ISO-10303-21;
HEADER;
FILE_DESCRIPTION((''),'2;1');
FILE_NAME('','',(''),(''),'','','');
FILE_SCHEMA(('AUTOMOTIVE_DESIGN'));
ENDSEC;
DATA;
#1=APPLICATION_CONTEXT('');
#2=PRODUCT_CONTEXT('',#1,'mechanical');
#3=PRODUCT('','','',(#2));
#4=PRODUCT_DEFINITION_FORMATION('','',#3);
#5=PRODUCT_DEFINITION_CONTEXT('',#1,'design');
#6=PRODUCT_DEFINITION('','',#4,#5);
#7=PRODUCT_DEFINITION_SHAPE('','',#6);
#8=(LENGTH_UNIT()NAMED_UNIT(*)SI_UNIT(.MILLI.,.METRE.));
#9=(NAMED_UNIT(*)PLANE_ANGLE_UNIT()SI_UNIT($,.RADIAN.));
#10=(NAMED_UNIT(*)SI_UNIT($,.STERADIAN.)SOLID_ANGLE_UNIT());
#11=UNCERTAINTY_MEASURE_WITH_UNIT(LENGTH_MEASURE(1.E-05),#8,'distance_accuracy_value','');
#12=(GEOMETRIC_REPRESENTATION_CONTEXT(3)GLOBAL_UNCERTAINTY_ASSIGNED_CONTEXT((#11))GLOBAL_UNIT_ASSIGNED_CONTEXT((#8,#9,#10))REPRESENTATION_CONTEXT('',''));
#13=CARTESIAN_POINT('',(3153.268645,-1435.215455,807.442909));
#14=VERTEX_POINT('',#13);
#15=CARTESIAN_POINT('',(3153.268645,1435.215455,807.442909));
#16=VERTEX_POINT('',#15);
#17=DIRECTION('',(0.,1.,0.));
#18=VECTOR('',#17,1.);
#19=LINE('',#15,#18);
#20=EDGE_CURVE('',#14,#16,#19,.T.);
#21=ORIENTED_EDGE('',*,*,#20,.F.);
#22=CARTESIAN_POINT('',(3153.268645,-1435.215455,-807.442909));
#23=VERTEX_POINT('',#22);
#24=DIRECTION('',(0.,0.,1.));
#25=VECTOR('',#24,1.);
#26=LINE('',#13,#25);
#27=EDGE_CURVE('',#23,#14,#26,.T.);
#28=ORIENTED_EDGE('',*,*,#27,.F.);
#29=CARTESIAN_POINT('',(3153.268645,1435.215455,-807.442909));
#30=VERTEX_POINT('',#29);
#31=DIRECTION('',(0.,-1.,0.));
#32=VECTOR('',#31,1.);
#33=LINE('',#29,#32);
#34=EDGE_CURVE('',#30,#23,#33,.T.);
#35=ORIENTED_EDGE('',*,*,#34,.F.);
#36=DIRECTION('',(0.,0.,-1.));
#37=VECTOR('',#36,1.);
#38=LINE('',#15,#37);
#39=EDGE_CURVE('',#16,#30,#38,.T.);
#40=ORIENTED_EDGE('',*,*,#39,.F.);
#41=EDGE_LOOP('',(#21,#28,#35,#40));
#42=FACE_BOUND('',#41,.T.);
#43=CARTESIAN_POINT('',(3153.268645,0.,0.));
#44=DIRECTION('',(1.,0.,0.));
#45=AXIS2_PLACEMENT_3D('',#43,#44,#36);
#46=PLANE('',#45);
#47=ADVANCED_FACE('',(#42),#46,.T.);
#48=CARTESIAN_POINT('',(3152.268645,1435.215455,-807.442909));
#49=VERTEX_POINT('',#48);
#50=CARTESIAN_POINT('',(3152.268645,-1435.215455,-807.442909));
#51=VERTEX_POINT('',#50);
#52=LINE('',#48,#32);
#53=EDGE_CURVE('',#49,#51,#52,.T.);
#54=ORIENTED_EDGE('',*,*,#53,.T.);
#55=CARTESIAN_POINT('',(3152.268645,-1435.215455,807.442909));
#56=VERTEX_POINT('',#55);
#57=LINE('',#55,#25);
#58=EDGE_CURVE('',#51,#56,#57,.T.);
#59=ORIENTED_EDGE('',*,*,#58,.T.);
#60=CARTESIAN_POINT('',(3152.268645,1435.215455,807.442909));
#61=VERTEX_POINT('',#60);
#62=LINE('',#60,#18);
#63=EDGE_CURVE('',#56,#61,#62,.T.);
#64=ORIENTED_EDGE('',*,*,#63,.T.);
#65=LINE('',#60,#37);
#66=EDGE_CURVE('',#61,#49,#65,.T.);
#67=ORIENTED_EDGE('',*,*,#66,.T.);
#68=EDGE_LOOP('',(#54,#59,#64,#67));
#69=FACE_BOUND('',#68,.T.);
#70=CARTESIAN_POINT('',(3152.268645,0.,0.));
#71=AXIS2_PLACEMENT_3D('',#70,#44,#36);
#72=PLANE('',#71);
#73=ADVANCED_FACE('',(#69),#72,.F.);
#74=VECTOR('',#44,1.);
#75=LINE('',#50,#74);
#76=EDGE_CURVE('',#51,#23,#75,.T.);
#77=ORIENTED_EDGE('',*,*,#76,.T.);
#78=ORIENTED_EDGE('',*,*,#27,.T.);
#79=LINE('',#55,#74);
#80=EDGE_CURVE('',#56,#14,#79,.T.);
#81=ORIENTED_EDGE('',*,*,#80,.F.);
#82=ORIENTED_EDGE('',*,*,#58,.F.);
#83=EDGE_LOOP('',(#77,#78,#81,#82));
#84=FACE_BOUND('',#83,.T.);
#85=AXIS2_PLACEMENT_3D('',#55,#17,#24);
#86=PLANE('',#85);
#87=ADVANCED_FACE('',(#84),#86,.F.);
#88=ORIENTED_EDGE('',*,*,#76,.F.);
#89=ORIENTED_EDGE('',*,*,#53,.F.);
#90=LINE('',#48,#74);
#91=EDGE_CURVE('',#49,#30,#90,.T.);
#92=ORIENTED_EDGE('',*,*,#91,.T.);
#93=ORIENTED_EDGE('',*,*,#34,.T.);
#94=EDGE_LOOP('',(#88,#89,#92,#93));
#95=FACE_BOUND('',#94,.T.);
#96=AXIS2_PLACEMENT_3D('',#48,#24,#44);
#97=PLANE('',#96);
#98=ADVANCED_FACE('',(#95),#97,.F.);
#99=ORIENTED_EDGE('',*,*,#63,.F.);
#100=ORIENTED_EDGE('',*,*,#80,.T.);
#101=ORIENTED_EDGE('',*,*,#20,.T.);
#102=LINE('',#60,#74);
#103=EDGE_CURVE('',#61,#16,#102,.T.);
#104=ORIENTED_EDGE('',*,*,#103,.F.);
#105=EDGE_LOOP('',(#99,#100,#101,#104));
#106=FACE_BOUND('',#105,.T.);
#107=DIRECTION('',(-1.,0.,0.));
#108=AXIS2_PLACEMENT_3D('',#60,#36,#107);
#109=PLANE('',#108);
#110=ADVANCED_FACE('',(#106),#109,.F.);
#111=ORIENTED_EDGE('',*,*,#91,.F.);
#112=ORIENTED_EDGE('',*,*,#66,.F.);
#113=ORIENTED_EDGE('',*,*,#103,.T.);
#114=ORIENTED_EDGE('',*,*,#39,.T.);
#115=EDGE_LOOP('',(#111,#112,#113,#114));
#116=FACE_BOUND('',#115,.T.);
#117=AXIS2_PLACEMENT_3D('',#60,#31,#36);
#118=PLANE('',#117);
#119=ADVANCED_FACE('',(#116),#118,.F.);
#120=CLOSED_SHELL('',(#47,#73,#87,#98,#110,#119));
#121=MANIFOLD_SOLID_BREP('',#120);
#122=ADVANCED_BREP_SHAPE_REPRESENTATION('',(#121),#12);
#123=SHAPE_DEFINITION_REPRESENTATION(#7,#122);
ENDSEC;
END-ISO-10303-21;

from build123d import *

# Parameters (mm, degrees)
BOSS_EXTRUDE1_DEPTH = 1


with BuildPart() as part:
    # 3DSketch1 → Boss-Extrude1 (new body)
    with BuildSketch(Plane(origin=(3152.268644974, 1435.215454545, 807.442909091), x_dir=(0, -0.8715407086393898, -0.49032315179313146), z_dir=(1, 0, 0))):
        Polygon((0, 0), (2501.697388609, -1407.43873035), (3293.513292766, 0), (791.815904157, 1407.43873035), align=None)
    extrude(amount=BOSS_EXTRUDE1_DEPTH)


solid = part.part
